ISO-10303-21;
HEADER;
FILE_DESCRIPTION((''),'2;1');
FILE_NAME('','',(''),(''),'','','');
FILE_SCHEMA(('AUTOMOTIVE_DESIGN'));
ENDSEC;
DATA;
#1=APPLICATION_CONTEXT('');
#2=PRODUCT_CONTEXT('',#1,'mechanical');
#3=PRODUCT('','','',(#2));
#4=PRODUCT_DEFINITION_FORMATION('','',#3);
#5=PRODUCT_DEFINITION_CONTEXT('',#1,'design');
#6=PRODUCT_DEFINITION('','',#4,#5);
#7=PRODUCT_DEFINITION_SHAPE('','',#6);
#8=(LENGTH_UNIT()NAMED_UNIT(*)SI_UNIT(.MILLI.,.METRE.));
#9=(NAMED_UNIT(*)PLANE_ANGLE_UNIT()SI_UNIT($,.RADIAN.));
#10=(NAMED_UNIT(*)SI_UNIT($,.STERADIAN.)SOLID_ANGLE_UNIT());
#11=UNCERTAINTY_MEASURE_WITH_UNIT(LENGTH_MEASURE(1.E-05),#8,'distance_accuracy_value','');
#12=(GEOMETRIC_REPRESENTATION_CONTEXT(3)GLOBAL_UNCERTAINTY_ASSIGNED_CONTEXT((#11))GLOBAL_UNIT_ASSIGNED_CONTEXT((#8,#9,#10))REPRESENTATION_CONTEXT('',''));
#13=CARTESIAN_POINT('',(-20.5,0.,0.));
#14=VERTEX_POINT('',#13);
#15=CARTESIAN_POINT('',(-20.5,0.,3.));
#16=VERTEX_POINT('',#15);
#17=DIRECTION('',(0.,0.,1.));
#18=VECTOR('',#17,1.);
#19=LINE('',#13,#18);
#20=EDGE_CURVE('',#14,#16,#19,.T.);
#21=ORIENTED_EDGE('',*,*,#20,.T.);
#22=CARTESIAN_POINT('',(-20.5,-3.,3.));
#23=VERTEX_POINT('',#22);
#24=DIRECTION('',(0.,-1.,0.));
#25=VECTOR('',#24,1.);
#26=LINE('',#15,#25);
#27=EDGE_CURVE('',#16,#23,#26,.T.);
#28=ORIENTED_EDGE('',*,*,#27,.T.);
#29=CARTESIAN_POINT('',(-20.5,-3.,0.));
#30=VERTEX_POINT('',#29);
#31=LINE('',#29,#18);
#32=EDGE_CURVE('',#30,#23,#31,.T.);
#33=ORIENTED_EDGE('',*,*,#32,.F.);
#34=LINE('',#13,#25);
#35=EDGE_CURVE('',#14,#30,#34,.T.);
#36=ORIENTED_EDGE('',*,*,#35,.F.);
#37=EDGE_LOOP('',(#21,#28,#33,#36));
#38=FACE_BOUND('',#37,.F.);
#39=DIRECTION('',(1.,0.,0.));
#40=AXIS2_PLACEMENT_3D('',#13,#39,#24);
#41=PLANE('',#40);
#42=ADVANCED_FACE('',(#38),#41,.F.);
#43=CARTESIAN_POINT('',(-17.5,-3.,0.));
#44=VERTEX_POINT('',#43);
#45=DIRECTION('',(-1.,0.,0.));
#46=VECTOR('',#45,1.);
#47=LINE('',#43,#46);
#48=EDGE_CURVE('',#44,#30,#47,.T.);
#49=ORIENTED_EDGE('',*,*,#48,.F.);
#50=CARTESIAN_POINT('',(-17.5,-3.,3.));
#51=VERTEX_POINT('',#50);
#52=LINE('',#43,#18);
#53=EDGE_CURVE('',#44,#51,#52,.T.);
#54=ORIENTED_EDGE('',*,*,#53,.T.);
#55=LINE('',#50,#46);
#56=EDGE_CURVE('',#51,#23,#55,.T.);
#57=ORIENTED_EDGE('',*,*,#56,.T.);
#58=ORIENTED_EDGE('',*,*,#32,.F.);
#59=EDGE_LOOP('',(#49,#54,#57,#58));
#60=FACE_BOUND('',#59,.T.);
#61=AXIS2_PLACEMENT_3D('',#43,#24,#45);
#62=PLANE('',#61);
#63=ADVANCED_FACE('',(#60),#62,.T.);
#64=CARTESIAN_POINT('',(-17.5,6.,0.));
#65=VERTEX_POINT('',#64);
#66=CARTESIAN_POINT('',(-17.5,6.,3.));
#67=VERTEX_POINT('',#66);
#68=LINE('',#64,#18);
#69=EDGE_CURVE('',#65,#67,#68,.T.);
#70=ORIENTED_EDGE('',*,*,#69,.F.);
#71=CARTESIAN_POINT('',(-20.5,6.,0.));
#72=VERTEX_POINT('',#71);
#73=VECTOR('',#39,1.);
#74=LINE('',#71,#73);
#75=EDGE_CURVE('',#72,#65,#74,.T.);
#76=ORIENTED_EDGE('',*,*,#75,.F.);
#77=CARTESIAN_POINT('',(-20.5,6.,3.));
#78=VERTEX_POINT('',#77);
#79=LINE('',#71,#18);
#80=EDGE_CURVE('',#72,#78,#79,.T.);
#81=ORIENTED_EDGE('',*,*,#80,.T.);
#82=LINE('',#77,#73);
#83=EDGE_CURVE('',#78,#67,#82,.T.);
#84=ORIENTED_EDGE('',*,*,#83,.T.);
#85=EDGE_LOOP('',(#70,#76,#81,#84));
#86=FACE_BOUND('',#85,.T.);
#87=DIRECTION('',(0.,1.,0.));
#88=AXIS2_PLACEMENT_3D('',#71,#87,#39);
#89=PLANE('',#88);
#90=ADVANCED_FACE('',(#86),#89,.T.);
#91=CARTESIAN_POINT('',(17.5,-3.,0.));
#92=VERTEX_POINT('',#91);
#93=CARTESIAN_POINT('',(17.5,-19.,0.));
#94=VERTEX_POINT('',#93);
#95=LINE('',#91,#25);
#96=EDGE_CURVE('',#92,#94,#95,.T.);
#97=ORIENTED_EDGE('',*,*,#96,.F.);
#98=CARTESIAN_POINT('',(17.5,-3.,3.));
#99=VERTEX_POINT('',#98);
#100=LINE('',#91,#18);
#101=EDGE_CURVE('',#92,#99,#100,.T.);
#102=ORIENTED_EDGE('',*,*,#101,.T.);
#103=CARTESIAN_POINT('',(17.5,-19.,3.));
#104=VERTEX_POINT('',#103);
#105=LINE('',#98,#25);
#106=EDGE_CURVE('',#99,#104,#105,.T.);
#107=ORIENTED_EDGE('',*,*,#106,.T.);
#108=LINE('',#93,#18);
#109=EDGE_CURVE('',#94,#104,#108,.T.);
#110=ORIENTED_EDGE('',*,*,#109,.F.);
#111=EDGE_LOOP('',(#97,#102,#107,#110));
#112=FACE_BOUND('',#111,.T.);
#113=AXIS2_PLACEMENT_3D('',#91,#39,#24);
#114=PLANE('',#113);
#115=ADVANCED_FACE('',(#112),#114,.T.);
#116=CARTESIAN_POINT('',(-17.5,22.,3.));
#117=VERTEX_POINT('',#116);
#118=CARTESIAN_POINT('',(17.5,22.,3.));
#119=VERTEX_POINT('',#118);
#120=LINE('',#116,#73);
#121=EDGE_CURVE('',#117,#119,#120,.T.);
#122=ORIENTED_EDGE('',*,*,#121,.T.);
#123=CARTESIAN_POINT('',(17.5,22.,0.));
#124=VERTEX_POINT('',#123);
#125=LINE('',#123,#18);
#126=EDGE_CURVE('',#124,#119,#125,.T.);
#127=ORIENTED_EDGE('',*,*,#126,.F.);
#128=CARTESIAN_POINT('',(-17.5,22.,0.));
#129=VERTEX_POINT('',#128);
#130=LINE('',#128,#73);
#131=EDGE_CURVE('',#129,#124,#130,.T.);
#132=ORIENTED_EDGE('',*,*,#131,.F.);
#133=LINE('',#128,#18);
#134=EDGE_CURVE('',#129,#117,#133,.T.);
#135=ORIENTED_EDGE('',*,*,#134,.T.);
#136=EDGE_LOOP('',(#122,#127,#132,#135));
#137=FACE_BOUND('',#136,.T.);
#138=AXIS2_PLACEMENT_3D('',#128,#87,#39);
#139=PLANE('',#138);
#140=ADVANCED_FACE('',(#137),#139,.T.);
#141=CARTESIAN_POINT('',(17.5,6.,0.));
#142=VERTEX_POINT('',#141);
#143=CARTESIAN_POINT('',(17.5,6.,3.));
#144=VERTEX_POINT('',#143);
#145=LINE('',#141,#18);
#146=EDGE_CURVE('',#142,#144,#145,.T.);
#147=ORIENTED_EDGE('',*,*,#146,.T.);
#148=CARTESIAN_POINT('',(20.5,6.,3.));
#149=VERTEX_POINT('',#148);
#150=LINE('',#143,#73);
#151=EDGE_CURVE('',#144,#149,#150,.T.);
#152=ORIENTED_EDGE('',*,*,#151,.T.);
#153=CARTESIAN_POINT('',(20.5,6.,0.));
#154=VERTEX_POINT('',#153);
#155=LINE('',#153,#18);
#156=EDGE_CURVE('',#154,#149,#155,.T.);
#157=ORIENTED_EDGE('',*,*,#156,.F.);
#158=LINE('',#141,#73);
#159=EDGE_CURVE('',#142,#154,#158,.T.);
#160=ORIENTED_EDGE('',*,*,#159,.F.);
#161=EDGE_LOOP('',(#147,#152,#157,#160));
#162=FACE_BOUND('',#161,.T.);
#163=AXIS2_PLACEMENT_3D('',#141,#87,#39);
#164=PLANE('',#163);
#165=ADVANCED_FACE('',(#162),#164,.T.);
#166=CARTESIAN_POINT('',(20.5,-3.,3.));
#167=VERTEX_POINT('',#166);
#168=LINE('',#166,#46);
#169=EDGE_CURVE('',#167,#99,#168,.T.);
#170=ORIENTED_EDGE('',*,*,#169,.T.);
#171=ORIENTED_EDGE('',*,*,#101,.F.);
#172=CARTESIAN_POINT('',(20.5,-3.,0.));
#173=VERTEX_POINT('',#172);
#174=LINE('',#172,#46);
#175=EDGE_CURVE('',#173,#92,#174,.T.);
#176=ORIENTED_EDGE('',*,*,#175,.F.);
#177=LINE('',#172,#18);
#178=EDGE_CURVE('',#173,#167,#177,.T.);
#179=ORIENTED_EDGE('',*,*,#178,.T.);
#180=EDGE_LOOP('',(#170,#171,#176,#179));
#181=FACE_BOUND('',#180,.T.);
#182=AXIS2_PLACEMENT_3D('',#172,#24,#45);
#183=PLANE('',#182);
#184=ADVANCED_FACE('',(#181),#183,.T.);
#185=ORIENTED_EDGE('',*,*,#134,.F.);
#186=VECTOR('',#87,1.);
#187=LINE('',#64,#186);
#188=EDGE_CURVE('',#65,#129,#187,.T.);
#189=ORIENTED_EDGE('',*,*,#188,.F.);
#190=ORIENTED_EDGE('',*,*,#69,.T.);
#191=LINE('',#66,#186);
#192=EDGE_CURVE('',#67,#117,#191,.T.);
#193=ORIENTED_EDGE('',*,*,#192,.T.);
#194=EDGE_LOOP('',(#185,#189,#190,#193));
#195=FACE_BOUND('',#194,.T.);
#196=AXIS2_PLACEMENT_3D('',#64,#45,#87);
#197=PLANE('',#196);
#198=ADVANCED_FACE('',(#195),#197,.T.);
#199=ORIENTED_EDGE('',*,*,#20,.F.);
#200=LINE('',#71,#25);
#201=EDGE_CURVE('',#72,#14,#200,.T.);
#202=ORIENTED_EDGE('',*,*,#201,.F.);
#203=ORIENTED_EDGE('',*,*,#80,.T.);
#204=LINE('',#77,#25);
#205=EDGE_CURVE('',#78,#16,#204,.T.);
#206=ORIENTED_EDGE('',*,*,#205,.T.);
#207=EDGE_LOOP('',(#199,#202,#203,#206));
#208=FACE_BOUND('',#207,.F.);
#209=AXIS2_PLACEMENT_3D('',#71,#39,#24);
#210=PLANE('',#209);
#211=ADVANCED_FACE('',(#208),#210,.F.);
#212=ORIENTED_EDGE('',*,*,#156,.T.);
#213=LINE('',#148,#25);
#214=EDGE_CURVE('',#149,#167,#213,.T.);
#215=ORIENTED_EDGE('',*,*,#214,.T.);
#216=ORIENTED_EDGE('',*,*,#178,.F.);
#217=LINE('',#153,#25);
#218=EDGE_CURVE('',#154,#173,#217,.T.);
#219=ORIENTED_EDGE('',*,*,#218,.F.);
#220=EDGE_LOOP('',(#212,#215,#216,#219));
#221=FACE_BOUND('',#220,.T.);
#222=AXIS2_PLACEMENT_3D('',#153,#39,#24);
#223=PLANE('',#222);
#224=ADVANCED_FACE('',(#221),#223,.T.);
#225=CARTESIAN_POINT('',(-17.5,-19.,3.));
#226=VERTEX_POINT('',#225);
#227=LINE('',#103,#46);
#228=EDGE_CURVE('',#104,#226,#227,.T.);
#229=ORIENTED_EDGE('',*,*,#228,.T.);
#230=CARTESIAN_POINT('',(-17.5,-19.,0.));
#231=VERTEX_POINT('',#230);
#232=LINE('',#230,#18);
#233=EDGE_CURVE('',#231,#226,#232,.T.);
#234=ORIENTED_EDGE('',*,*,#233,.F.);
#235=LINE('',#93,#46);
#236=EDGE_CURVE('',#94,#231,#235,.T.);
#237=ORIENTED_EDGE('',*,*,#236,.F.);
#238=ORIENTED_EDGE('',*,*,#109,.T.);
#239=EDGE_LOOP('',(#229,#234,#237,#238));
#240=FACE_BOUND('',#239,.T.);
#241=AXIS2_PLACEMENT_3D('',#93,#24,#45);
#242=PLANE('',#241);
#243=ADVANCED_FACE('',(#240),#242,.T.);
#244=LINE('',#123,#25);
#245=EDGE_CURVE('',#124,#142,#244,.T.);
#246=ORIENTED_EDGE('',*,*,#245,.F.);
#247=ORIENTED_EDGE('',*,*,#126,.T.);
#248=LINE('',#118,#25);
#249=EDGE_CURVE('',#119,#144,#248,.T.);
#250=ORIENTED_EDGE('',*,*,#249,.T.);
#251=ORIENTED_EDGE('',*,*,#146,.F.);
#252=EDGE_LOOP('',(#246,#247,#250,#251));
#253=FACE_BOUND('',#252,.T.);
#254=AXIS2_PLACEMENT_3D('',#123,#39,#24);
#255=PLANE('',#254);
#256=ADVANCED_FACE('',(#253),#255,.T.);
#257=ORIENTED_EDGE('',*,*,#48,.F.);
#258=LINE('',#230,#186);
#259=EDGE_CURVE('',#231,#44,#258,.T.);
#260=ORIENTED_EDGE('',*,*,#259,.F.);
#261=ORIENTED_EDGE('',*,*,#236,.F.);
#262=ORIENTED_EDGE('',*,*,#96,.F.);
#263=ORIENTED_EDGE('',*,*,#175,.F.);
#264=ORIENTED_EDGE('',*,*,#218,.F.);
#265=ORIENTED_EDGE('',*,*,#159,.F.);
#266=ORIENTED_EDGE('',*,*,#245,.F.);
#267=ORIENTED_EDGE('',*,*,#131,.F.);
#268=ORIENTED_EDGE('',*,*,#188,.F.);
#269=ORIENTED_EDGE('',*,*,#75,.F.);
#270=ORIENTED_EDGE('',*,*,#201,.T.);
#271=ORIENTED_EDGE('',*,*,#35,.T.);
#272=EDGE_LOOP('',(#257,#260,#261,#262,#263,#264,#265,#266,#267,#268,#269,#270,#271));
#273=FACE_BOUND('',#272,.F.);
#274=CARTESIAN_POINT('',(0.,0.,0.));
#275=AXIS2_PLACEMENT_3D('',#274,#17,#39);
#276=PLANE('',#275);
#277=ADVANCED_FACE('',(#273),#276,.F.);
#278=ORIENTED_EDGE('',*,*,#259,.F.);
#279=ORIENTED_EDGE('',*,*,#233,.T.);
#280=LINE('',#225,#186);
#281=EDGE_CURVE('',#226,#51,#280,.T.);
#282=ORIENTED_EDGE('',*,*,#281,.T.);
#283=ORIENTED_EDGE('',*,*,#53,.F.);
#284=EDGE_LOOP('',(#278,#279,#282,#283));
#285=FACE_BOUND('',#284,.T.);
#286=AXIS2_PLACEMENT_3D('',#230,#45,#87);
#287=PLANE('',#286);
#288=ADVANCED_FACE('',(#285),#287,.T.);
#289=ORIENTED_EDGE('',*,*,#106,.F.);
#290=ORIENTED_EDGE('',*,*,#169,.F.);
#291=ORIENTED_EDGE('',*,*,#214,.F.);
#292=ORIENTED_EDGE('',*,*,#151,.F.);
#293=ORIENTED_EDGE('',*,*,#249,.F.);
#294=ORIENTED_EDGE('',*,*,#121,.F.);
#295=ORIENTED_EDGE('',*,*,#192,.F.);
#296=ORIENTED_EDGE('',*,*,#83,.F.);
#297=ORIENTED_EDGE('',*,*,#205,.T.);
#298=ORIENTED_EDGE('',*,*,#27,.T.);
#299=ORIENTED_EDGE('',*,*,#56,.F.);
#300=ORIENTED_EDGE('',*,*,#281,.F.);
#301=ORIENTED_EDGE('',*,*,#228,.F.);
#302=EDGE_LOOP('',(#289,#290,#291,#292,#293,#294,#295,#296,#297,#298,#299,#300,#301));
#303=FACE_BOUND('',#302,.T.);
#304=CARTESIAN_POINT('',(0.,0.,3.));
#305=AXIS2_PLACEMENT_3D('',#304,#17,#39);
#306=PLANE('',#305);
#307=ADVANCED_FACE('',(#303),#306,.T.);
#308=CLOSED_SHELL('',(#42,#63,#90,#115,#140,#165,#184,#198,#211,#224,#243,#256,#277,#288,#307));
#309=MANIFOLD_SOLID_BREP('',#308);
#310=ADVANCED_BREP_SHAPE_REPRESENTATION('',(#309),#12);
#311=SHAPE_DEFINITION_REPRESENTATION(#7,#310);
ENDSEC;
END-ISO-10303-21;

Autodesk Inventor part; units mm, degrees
ref_plane "YZ Plane" through (0, 0, 0) normal (1, 0, 0) x (0, 1, 0)
ref_plane "XZ Plane" through (0, 0, 0) normal (0, 1, 0) x (-1, 0, 0)
ref_plane "XY Plane" through (0, 0, 0) normal (0, 0, 1) x (1, 0, 0)
sketch "Boceto1" plane through (0, 0, 0) normal (0, 0, 1) x (1, 0, 0)
  line L0 (17.5, 22) -> (17.5, 6)
  line L1 (17.5, 6) -> (20.5, 6)
  line L2 (20.5, 6) -> (20.5, -3)
  line L3 (20.5, -3) -> (17.5, -3)
  line L4 (17.5, -3) -> (17.5, -19)
  line L5 (17.5, -19) -> (-17.5, -19)
  line L6 (-17.5, -19) -> (-17.5, -3)
  line L7 (-17.5, -3) -> (-20.5, -3)
  line L8 (-20.5, 0) -> (-20.5, -3)
  line L9 (-20.5, 6) -> (-20.5, -3)
  line L10 (-17.5, 6) -> (-17.5, 22)
  line L11 (-17.5, 22) -> (17.5, 22)
  line L12 (-20.5, 6) -> (-17.5, 6)
extrude "Extrusión1" add sketch "Boceto1" along normal blind 3
properties part number "Wall_Base1" material "MDF Tablero de fibras de densidad media"
